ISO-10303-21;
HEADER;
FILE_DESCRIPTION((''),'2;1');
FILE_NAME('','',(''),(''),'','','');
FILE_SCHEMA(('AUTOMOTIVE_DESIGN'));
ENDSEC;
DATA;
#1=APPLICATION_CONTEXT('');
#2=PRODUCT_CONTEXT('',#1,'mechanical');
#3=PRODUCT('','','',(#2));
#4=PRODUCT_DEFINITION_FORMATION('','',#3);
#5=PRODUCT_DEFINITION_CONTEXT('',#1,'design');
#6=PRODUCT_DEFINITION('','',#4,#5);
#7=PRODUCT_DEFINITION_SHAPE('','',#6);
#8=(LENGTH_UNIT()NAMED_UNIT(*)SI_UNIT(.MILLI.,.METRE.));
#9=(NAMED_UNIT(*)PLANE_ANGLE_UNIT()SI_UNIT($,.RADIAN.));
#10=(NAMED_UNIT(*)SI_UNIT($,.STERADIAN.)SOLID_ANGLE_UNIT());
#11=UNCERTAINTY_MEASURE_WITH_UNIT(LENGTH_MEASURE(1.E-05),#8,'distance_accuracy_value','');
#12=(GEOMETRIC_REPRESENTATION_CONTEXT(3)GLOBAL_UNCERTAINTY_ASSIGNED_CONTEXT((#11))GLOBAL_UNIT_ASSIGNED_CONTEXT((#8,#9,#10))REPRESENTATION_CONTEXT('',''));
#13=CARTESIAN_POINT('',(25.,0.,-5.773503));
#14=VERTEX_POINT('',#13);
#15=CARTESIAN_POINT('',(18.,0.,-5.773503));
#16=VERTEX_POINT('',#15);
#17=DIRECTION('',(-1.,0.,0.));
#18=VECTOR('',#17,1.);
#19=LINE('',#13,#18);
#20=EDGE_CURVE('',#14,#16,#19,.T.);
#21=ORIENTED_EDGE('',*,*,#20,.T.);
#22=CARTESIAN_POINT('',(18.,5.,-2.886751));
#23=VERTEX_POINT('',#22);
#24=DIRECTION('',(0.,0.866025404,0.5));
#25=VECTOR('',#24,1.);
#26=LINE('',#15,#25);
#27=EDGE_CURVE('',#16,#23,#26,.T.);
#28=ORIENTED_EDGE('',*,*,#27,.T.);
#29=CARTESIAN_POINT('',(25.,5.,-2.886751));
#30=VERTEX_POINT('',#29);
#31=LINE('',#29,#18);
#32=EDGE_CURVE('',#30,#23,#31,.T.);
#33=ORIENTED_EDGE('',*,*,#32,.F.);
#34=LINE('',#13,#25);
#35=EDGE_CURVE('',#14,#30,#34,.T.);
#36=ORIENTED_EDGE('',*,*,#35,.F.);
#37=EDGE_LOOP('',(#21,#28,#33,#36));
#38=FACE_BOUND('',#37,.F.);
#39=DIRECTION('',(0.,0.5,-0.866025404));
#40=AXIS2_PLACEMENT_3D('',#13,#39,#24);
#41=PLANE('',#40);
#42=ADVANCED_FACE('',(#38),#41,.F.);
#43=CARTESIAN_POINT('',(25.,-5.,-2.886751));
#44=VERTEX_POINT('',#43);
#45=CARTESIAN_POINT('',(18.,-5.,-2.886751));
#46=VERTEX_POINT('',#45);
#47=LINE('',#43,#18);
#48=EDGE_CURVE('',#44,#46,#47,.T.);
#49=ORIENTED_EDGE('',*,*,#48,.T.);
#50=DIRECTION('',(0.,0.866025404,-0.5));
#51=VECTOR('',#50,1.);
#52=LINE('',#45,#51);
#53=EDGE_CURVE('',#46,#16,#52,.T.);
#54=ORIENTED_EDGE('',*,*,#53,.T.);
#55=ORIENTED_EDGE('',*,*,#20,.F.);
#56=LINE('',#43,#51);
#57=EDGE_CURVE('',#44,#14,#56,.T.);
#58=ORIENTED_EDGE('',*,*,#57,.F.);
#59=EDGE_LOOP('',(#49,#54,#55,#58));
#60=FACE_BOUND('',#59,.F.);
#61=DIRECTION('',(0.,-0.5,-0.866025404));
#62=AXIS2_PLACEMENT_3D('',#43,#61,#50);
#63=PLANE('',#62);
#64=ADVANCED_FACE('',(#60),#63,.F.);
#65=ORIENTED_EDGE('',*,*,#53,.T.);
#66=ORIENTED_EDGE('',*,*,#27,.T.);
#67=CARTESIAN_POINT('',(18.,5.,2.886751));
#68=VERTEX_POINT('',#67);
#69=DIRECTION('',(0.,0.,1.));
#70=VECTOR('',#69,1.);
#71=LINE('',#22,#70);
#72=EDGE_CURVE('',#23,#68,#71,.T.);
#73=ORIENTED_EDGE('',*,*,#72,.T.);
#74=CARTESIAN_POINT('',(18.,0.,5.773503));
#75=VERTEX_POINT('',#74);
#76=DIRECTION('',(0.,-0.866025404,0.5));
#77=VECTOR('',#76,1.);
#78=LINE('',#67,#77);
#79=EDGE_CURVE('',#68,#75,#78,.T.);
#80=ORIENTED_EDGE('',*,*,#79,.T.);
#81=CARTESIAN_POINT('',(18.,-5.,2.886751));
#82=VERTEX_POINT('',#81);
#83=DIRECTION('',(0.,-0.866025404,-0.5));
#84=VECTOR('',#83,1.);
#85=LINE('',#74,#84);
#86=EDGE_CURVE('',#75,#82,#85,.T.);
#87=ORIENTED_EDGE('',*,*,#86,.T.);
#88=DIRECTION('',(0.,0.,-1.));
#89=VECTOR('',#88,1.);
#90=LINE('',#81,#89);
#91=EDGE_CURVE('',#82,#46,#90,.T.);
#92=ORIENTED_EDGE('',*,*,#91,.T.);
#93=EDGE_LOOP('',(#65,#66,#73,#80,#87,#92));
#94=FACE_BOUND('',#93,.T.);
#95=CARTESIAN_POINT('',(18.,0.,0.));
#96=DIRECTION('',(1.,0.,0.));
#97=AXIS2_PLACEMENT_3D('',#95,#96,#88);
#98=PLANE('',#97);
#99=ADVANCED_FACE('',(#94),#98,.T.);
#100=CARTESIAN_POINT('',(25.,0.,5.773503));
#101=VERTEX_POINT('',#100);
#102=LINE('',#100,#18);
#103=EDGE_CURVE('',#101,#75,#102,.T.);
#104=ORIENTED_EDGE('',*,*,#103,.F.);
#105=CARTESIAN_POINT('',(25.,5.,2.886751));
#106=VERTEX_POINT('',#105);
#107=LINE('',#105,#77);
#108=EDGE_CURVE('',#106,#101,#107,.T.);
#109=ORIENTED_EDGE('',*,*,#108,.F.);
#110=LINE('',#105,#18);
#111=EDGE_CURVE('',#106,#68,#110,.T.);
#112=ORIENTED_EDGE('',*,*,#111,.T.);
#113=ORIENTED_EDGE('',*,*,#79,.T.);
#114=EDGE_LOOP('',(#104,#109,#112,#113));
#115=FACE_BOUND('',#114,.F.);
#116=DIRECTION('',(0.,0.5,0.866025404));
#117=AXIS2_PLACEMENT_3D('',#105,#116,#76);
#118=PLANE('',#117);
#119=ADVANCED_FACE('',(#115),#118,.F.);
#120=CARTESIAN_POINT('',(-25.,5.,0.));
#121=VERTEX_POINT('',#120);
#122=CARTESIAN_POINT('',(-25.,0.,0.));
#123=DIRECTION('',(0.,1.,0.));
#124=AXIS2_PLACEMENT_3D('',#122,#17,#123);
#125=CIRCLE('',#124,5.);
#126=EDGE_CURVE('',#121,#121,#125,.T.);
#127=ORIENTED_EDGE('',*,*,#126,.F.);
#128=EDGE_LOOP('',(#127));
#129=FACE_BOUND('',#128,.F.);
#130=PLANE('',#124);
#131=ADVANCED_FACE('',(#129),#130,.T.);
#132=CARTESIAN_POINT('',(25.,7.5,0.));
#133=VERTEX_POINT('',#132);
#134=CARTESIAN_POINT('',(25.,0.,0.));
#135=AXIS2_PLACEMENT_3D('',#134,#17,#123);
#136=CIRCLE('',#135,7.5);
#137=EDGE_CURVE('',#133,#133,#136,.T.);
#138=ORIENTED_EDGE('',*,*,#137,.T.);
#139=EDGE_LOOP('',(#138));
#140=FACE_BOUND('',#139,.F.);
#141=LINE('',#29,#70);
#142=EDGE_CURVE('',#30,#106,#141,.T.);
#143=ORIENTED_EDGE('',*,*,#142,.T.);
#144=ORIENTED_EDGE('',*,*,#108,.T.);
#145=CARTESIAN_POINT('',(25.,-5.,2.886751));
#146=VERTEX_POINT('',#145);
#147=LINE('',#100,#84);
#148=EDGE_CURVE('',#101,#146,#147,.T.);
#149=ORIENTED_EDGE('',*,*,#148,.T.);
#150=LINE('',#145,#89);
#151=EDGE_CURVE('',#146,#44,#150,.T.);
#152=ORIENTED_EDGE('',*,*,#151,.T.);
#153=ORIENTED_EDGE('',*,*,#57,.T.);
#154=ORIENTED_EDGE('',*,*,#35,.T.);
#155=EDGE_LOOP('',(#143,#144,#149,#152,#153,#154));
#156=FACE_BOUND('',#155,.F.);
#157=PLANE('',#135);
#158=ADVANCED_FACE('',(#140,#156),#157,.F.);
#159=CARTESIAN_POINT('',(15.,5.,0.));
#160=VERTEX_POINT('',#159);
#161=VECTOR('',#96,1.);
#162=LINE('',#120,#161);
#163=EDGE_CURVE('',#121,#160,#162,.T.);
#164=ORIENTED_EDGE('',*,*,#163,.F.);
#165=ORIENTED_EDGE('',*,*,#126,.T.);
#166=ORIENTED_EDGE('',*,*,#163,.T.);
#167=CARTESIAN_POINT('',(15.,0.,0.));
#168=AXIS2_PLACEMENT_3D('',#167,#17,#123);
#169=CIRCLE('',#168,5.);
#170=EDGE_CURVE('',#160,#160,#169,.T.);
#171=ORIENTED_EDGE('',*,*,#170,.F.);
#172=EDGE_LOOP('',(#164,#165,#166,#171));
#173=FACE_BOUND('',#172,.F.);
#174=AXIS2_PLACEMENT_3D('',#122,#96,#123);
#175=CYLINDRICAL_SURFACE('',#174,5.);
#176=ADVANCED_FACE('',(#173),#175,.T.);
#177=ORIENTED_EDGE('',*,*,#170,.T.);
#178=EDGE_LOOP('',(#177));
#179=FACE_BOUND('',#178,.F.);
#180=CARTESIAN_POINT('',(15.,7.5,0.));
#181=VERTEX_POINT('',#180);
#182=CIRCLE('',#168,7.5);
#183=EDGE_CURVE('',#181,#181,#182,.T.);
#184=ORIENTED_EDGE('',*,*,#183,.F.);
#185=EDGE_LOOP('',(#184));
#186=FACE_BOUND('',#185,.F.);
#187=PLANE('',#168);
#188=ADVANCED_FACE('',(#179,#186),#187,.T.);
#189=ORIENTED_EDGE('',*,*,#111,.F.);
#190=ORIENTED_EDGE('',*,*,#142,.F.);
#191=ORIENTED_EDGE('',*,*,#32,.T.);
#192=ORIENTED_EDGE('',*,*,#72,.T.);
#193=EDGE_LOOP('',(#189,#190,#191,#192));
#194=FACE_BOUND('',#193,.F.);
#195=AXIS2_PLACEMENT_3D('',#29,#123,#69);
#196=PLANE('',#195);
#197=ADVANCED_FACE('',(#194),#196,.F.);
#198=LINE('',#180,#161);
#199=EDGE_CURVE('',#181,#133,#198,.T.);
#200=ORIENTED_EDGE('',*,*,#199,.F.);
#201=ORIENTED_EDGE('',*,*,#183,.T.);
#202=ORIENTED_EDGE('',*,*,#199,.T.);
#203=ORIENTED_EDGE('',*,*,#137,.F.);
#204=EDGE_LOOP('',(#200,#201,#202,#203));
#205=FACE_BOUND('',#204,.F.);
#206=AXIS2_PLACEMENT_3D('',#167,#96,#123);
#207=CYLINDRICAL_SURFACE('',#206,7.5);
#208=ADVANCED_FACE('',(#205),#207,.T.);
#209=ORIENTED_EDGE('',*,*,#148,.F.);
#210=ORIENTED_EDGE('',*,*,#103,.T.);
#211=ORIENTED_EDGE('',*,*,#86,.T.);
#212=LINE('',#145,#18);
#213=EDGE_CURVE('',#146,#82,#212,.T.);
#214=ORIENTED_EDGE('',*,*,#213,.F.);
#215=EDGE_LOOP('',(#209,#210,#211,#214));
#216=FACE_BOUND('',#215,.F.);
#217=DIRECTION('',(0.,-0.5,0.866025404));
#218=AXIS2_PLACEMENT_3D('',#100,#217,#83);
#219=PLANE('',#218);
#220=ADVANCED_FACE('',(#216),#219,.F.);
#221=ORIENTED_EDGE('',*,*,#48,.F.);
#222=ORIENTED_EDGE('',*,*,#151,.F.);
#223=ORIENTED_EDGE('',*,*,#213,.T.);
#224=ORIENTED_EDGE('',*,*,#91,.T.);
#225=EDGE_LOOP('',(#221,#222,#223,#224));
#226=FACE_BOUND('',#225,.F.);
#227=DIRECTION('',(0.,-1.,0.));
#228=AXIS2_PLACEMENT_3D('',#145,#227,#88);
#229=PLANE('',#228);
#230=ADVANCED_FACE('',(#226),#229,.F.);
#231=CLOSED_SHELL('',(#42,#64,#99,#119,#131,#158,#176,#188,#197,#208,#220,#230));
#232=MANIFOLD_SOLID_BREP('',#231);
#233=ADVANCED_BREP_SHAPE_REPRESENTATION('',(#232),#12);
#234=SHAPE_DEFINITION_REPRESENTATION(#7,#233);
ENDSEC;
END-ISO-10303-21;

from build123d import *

# Parameters (mm, degrees)
CUT_EXTRUDE1_DEPTH = 7


with BuildPart() as part:
    # Sketch1 → Revolve1 (revolve)
    with BuildSketch(Plane.XY):
        Polygon((-25, 5), (15, 5), (15, 7.5), (25, 7.5), (25, 0), (-25, 0), align=None)
    revolve(axis=Axis((25, 0, 0), (-1, 0, 0)))

    # Sketch2 → Cut-Extrude1 (cut)
    with BuildSketch(Plane(origin=(25, 0, 0), x_dir=(0, 0, -1), z_dir=(1, 0, 0))):
        Polygon((5.773502692, 0), (2.886751346, 5), (-2.886751346, 5), (-5.773502692, 0), (-2.886751346, -5), (2.886751346, -5), align=None)
    extrude(amount=-CUT_EXTRUDE1_DEPTH, mode=Mode.SUBTRACT)


solid = part.part
